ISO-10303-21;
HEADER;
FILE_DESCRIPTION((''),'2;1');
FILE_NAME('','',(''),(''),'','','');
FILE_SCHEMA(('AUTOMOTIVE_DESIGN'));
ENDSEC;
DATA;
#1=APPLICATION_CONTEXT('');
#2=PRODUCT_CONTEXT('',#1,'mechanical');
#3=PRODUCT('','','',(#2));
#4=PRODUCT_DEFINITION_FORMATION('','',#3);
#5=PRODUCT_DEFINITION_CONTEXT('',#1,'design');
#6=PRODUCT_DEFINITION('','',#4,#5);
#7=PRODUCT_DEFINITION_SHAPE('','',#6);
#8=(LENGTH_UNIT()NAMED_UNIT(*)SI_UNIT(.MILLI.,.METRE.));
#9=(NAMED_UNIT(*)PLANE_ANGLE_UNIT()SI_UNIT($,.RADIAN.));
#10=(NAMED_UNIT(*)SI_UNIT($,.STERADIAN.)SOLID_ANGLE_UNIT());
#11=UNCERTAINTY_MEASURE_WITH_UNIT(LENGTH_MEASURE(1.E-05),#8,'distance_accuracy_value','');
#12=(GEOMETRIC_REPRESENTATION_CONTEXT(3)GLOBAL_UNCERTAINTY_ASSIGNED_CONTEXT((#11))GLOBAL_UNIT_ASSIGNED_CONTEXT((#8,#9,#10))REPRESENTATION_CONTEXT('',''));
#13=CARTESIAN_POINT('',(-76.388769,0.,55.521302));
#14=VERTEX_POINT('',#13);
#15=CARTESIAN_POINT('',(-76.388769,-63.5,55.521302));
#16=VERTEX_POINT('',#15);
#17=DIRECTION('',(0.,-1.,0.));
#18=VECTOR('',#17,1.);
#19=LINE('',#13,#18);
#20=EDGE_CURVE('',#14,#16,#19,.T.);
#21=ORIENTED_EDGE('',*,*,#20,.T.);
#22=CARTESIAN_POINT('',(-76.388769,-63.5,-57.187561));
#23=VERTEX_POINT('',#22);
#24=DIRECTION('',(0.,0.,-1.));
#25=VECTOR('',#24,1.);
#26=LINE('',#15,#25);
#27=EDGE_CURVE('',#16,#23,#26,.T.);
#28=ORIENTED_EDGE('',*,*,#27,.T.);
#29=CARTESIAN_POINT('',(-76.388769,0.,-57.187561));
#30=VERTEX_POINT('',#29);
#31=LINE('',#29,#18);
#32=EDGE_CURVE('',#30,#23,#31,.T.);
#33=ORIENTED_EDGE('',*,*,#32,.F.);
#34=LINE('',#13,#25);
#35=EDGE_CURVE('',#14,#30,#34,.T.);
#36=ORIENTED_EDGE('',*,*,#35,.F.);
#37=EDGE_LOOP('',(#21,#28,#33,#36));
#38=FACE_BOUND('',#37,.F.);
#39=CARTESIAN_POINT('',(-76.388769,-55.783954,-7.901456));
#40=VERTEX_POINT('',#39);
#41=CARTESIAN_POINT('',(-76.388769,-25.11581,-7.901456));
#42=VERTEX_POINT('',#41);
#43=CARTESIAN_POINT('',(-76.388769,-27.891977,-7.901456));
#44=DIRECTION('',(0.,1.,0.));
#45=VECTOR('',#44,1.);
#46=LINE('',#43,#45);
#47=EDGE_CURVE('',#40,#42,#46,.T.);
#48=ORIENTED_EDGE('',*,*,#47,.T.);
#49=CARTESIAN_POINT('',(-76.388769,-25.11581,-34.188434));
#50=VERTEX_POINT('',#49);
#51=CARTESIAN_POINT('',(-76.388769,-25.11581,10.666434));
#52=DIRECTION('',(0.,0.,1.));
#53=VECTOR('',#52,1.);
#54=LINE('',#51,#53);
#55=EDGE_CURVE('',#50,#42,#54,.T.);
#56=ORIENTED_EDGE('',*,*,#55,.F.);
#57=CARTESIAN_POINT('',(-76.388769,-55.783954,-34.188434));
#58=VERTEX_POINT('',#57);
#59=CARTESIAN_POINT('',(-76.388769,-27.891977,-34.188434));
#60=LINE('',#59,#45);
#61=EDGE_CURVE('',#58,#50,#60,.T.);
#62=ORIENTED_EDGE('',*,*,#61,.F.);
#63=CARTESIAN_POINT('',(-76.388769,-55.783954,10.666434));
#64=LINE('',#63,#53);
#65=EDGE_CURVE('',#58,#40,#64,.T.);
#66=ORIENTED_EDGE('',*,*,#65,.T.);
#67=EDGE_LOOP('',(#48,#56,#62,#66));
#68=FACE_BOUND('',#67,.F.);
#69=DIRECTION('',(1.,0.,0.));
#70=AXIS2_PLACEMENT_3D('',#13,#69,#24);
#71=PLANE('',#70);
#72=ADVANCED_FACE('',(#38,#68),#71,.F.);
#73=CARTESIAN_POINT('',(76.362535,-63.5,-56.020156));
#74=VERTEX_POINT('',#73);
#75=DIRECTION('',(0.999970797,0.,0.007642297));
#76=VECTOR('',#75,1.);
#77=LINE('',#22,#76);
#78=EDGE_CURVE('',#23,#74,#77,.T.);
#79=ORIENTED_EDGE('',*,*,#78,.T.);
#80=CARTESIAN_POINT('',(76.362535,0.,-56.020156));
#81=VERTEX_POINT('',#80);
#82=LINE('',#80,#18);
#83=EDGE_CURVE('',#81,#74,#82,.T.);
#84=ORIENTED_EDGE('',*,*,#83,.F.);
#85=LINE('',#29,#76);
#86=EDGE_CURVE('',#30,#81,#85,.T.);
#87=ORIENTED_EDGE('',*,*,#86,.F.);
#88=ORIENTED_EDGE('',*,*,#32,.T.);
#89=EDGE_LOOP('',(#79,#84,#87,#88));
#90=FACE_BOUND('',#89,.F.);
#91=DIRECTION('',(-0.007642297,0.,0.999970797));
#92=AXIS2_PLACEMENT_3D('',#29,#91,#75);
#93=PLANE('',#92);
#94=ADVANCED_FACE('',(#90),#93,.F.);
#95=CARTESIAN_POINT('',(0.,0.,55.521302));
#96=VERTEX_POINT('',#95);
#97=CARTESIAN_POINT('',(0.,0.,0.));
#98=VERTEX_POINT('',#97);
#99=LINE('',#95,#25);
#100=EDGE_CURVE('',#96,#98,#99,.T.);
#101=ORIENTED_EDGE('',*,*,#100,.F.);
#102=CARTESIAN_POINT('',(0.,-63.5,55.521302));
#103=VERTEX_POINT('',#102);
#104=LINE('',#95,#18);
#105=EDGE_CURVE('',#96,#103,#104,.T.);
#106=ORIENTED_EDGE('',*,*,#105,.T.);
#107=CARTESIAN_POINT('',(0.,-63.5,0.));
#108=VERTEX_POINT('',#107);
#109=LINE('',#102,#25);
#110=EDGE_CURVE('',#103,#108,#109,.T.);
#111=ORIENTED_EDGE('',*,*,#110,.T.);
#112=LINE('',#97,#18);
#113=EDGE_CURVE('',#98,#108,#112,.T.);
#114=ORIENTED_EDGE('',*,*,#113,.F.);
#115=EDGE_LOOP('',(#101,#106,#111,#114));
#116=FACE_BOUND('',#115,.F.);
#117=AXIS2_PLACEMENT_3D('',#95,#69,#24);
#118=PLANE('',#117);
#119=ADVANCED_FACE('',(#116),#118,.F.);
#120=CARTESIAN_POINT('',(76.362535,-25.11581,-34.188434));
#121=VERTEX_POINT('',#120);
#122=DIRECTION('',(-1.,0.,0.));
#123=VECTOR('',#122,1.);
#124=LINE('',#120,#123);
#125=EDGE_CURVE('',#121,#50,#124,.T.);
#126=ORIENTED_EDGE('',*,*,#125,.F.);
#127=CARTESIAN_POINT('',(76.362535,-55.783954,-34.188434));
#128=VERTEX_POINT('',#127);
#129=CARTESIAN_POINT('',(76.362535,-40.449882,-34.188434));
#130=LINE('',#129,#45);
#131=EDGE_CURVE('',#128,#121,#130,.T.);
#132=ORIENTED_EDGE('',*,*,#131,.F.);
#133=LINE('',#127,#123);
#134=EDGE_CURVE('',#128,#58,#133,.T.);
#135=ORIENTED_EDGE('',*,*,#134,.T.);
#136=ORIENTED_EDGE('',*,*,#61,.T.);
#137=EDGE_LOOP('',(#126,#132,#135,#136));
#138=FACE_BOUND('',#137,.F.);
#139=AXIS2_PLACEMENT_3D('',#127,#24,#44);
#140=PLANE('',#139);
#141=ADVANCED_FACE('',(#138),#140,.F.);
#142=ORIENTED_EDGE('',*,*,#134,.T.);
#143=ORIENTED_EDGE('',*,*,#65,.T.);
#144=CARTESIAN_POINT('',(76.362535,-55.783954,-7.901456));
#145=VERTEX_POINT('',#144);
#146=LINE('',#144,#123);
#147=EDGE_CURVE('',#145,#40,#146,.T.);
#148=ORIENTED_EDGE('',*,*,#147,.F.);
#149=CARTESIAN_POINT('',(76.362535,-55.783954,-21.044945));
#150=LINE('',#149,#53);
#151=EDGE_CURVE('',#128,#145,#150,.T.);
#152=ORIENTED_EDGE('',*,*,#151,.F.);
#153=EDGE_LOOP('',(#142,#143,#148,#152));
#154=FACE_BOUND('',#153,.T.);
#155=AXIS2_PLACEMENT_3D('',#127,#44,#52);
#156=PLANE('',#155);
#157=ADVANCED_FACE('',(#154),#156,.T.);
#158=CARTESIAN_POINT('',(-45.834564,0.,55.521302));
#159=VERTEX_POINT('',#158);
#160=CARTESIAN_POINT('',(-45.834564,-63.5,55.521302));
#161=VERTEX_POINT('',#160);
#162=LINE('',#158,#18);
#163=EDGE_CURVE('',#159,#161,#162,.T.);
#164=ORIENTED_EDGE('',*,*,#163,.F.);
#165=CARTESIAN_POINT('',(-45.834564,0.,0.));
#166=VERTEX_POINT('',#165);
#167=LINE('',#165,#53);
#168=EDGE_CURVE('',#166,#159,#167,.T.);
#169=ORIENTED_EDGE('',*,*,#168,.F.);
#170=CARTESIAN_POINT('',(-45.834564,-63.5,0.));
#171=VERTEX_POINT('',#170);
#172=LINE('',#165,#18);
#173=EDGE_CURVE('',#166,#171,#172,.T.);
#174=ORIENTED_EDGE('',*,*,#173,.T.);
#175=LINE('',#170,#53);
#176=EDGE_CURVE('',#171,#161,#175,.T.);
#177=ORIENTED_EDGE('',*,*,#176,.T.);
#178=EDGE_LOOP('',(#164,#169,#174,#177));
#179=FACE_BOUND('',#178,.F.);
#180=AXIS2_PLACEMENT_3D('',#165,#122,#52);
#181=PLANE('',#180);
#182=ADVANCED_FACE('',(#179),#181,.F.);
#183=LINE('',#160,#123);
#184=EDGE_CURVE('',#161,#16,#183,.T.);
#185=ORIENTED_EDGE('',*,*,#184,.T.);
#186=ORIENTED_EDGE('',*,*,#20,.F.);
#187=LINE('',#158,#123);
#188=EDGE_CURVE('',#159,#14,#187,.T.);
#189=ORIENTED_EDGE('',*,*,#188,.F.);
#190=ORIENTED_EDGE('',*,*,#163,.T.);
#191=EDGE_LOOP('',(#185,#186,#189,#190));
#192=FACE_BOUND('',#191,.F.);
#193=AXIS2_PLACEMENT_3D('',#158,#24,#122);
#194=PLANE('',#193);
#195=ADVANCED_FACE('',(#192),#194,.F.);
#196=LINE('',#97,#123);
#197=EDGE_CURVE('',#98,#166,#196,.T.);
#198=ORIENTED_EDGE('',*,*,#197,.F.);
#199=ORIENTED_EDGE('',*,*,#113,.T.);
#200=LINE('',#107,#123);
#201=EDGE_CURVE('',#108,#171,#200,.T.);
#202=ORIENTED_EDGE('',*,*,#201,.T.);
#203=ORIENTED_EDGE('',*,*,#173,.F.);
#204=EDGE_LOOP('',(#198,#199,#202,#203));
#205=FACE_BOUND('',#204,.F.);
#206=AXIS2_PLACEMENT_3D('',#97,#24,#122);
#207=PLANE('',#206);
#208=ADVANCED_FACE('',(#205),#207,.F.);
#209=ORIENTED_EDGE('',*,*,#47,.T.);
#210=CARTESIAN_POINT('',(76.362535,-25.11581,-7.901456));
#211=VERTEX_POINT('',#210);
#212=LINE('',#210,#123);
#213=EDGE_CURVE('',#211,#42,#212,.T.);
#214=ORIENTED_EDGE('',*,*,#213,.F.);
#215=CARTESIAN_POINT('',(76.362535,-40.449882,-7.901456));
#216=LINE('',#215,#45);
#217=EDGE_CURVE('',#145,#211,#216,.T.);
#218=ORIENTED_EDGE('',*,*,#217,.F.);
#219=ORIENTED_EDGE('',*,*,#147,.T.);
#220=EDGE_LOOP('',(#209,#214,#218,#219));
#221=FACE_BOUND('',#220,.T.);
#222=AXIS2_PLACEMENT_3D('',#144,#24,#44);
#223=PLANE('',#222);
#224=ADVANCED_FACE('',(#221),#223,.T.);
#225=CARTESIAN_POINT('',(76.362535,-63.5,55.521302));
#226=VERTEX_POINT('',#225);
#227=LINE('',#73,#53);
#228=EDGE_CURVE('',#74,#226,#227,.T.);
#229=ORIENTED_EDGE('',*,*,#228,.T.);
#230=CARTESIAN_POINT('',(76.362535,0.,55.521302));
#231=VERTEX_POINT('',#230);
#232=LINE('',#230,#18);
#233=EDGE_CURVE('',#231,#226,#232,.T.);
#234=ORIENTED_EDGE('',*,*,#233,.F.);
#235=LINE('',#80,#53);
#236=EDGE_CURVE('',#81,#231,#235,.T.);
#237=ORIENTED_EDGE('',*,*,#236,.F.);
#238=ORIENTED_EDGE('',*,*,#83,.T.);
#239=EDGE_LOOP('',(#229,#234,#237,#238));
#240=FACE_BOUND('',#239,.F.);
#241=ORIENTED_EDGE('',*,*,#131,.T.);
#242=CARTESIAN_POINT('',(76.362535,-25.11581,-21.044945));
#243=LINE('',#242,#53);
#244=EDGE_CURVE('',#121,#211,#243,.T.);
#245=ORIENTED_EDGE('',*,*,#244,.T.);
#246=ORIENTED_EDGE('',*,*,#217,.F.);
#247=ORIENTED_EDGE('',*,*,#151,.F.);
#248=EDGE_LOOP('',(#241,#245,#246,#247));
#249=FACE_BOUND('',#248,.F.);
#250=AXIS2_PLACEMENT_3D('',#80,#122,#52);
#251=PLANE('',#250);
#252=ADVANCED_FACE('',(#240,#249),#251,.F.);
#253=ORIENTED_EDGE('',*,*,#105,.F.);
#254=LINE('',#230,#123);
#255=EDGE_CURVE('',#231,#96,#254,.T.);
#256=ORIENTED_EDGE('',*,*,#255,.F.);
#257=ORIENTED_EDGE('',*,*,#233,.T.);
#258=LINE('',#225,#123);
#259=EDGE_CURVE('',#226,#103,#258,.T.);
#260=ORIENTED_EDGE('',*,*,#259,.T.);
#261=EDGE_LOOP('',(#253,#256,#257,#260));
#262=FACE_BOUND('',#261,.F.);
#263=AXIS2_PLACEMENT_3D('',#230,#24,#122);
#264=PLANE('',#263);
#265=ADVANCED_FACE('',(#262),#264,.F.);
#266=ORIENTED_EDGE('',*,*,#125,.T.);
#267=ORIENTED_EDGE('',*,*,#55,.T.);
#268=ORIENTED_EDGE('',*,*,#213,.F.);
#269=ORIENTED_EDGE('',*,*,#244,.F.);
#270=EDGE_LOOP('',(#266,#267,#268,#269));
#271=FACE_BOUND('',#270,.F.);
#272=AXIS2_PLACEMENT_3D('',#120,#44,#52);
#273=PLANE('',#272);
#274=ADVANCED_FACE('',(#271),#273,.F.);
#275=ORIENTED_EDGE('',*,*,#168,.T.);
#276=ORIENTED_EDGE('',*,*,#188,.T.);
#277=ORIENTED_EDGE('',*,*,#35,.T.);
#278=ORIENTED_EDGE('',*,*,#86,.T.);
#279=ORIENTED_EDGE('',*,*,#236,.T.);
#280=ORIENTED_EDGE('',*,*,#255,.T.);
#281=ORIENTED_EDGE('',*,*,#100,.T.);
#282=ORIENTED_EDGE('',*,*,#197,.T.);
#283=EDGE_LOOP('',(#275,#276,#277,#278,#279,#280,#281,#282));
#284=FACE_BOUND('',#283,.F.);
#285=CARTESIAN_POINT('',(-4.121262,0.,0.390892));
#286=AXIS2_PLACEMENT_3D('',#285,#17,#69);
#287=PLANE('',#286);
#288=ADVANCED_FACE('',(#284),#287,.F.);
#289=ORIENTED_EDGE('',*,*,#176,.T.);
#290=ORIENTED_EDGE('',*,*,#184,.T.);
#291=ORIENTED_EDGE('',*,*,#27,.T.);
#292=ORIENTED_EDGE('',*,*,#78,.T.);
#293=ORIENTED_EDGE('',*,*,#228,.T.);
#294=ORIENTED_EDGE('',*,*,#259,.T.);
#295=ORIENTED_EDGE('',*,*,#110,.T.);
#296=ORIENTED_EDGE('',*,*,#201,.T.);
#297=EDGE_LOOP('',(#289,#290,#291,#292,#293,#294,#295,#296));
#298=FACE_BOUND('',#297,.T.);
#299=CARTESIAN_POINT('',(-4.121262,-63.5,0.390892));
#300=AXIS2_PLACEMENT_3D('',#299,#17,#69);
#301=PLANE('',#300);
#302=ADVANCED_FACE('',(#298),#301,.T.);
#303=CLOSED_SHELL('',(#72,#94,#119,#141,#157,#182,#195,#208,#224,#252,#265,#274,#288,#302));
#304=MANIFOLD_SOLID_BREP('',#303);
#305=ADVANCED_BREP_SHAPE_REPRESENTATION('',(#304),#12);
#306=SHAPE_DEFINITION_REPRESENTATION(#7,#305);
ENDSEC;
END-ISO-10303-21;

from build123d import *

# Parameters (mm, degrees)
F1_DEPTH = 63.5
F2_W     = 30.668144
F2_H     = 26.286978
F3_DEPTH = 152.752304


with BuildPart() as f1:
    # F0 (on Front) → F1 (new body)
    with BuildSketch(Plane.XZ):
        Polygon((-45.834564, 55.521302), (-76.388769, 55.521302), (-76.388769, -57.187561), (76.362535, -56.020156), (76.362535, 55.521302), (0, 55.521302), (0, 0), (-45.834564, 0), align=None)
    extrude(amount=F1_DEPTH)

    # F2 (on face) → F3 (cut, through all)
    with BuildSketch(Plane.YZ.offset(76.362535)):
        with Locations((-40.449882, -21.044945)):
            Rectangle(F2_W, F2_H)
    extrude(amount=-F3_DEPTH, mode=Mode.SUBTRACT)


solid = f1.part
